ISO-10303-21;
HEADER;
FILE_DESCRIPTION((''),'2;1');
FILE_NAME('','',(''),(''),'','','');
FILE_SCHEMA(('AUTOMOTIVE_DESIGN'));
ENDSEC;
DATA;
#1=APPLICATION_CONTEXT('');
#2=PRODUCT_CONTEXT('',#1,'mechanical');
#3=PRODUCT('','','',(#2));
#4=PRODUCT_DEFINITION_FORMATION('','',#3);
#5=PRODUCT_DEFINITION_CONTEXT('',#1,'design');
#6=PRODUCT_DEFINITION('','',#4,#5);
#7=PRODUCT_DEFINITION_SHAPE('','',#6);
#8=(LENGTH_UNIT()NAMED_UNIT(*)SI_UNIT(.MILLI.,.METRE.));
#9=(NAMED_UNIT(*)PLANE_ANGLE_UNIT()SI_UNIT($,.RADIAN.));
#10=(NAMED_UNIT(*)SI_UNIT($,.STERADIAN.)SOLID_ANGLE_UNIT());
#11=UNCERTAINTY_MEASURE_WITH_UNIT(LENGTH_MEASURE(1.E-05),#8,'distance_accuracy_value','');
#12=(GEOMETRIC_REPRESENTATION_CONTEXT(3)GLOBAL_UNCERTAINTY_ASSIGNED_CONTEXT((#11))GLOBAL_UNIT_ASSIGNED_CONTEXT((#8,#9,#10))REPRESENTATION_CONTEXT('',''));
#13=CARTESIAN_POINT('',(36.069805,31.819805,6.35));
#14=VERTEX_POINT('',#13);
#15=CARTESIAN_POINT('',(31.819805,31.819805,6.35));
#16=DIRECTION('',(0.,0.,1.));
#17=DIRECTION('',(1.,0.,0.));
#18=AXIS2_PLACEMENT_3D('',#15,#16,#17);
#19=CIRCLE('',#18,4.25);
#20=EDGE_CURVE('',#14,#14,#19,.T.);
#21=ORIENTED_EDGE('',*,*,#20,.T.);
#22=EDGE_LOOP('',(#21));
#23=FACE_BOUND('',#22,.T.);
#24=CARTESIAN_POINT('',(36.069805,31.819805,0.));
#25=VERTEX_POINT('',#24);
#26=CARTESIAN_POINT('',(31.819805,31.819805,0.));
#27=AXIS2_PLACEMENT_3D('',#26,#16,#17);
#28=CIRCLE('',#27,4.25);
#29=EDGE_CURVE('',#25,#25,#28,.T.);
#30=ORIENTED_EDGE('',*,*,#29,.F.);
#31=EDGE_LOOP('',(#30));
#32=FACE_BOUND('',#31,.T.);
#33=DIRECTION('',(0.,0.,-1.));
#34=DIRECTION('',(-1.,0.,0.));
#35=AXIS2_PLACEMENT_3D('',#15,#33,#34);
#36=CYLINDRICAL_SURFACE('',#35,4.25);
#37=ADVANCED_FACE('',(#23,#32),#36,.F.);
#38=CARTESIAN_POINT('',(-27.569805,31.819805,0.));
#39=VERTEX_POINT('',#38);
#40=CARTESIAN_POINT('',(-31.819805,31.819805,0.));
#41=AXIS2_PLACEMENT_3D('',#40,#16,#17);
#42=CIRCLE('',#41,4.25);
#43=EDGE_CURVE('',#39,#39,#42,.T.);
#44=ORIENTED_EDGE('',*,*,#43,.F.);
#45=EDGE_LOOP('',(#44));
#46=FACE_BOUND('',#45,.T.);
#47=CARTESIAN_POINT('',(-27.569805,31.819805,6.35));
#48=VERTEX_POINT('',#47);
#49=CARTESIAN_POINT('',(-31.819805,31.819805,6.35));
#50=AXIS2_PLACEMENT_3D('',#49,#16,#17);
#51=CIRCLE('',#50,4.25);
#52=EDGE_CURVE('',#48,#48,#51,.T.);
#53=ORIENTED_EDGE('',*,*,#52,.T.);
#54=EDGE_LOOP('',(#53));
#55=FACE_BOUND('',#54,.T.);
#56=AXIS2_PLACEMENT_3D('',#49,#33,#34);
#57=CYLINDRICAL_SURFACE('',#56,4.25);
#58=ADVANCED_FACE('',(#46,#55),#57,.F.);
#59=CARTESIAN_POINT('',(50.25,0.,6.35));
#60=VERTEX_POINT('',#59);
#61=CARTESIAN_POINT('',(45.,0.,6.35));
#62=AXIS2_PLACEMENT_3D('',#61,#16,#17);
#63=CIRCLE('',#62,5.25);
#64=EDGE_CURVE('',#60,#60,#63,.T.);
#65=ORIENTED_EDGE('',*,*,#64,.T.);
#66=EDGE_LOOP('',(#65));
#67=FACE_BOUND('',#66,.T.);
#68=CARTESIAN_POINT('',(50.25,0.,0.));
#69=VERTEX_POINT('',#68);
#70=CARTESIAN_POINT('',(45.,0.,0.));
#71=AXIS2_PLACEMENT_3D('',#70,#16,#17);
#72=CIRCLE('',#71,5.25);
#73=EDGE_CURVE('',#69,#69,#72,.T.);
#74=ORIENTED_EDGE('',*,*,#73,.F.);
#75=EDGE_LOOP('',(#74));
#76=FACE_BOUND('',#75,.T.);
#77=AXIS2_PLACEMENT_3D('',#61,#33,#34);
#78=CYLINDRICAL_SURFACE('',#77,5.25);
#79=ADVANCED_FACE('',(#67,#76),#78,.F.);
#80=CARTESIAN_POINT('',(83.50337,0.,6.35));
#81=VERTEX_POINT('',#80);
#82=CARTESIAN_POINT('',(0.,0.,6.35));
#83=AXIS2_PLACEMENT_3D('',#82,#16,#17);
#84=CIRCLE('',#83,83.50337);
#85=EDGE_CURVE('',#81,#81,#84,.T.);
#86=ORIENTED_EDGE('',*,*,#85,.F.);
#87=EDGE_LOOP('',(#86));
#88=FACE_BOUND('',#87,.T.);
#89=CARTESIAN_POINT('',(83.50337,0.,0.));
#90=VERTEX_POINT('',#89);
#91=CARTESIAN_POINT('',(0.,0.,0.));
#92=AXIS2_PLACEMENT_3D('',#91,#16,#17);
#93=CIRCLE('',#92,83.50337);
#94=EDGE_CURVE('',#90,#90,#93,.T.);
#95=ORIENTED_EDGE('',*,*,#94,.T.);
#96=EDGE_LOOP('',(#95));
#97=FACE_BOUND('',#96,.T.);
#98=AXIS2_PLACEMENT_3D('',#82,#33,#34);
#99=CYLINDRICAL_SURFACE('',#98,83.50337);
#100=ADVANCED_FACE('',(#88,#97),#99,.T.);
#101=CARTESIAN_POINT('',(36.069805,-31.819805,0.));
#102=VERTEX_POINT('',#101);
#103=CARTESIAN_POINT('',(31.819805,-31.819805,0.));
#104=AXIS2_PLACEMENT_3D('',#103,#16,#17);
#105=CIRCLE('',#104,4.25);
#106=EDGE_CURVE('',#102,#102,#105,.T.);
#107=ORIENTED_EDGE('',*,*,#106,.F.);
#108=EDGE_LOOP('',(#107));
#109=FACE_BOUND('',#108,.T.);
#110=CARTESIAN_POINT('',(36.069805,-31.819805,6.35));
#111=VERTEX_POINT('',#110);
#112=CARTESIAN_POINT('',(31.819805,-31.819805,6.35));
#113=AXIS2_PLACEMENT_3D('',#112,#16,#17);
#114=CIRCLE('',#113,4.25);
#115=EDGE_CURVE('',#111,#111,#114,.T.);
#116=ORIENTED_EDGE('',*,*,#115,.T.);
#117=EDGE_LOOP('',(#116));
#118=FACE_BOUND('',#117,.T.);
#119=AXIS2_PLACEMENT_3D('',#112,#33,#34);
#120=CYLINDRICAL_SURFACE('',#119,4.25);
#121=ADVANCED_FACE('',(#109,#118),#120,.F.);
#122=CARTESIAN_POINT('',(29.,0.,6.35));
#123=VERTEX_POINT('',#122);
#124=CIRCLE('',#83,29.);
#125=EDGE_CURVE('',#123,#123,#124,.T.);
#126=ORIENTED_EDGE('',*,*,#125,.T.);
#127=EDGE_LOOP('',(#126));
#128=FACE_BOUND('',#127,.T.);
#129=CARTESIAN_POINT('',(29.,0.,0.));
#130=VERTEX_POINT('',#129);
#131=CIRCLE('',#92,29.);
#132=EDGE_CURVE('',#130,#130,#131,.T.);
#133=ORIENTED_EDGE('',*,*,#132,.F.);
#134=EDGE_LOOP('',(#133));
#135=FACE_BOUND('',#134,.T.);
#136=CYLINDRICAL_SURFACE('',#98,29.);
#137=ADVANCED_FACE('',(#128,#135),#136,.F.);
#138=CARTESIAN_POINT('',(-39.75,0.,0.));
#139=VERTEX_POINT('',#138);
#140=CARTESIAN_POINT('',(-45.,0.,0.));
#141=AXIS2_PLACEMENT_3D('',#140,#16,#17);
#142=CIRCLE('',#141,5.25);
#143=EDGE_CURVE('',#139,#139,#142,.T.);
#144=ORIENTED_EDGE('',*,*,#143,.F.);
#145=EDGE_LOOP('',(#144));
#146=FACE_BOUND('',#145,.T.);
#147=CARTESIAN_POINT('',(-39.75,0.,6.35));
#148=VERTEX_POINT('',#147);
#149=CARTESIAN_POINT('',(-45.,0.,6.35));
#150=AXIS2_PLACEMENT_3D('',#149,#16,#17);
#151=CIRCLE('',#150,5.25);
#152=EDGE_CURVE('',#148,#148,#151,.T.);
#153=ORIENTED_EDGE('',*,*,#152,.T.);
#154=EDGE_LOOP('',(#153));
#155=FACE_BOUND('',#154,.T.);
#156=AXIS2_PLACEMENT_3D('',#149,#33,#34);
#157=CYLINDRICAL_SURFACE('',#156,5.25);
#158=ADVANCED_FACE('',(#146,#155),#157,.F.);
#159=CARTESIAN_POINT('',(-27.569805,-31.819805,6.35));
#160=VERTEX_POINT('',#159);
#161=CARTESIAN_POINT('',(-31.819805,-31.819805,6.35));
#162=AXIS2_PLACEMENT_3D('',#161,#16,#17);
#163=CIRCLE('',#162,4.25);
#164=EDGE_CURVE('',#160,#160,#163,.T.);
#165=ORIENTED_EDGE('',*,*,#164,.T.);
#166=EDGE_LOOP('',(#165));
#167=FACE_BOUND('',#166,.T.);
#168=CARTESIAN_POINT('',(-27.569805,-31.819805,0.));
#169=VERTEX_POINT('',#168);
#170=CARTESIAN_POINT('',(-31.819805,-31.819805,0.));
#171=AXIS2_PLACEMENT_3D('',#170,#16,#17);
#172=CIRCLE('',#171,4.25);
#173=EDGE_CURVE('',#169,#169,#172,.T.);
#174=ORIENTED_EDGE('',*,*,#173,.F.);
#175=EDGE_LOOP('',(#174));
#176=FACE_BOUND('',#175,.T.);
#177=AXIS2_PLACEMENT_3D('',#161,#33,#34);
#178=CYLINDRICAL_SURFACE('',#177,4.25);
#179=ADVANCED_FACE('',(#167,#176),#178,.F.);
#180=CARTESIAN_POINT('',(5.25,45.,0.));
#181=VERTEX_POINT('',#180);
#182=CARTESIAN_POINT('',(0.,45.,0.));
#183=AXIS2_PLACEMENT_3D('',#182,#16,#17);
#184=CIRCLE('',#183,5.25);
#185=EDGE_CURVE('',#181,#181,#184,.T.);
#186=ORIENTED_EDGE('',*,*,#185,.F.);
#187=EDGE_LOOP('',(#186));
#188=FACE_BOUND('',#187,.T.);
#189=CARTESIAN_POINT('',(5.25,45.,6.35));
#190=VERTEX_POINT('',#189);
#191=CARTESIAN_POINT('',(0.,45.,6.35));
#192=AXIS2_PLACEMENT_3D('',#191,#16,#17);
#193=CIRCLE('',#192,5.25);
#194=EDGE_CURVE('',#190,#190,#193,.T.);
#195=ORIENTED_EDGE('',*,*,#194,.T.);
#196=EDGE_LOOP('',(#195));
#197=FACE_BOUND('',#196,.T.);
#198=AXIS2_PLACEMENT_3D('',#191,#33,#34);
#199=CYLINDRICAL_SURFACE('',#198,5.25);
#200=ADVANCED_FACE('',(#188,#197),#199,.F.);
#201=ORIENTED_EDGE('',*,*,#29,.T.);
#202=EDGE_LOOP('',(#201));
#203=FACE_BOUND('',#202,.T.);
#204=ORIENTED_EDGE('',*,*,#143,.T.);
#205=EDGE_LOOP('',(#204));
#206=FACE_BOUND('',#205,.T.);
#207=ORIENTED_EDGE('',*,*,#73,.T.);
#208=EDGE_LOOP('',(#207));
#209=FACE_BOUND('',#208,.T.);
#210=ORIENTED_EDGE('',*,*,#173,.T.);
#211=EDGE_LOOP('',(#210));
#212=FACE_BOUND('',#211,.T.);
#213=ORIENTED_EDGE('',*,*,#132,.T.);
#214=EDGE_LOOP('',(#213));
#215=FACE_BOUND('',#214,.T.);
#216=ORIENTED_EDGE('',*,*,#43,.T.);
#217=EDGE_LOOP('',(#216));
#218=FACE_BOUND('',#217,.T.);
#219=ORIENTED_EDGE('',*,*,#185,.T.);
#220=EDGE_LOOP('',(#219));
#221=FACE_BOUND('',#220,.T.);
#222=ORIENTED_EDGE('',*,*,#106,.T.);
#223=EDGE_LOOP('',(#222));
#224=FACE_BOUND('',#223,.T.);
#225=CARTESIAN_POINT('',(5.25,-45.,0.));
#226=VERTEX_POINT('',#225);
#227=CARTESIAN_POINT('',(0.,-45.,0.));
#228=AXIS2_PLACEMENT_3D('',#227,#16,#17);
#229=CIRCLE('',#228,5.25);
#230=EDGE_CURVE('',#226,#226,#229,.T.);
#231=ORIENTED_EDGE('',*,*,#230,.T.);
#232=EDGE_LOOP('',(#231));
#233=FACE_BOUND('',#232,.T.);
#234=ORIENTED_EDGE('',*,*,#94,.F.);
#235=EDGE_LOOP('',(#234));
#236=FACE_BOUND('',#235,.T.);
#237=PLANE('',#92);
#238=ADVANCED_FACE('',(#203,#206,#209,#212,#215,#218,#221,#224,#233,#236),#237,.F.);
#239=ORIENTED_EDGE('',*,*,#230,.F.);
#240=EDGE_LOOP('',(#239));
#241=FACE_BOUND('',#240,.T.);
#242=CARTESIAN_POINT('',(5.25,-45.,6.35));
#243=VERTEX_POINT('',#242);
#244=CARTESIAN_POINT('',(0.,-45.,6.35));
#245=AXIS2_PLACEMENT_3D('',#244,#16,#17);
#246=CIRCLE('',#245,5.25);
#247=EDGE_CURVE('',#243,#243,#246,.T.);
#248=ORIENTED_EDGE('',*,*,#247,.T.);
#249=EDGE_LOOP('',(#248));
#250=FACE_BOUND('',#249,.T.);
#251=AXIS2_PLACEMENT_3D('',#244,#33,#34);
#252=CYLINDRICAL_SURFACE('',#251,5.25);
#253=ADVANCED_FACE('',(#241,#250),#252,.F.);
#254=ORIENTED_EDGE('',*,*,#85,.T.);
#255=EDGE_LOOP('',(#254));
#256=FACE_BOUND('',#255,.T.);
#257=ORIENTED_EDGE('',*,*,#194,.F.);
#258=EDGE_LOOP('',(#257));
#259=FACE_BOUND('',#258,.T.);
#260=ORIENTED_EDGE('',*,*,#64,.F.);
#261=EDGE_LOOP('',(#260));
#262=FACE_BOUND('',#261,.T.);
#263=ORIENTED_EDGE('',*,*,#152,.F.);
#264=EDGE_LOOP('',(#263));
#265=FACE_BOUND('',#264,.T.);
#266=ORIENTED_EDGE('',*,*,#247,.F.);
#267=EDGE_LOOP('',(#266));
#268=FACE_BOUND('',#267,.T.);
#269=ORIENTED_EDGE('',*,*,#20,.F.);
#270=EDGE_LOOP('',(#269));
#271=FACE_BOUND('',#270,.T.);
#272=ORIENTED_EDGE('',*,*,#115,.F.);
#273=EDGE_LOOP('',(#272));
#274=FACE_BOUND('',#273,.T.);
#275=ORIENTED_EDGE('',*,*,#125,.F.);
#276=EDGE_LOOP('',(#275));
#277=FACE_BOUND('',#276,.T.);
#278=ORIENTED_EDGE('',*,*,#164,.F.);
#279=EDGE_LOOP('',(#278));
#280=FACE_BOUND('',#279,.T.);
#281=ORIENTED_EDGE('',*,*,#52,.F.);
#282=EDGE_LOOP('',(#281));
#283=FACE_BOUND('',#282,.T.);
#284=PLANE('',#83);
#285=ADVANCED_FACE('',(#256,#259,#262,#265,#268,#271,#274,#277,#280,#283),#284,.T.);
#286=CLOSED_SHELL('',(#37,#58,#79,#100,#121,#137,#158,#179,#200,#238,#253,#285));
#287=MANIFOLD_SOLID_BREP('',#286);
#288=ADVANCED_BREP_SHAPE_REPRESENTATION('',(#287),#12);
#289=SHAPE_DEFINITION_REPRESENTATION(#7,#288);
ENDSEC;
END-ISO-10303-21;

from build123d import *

# Parameters (mm, degrees)
SKETCH1_R           = 83.503370476
SKETCH1_R_2         = 5.25
SKETCH1_R_3         = 4.25
SKETCH1_R_4         = 29
BOSS_EXTRUDE1_DEPTH = 6.35


with BuildPart() as part:
    # Sketch1 → Boss-Extrude1 (new body)
    with BuildSketch(Plane.XY):
        Circle(SKETCH1_R)
        with Locations((0, 45)):
            Circle(SKETCH1_R_2, mode=Mode.SUBTRACT)
        with Locations((45, 0)):
            Circle(SKETCH1_R_2, mode=Mode.SUBTRACT)
        with Locations((0, -45)):
            Circle(SKETCH1_R_2, mode=Mode.SUBTRACT)
        with Locations((-45, 0)):
            Circle(SKETCH1_R_2, mode=Mode.SUBTRACT)
        with Locations((31.819805153, 31.819805153)):
            Circle(SKETCH1_R_3, mode=Mode.SUBTRACT)
        with Locations((31.819805153, -31.819805153)):
            Circle(SKETCH1_R_3, mode=Mode.SUBTRACT)
        with Locations((-31.819805153, -31.819805153)):
            Circle(SKETCH1_R_3, mode=Mode.SUBTRACT)
        with Locations((-31.819805153, 31.819805153)):
            Circle(SKETCH1_R_3, mode=Mode.SUBTRACT)
        Circle(SKETCH1_R_4, mode=Mode.SUBTRACT)
    extrude(amount=BOSS_EXTRUDE1_DEPTH)


solid = part.part
